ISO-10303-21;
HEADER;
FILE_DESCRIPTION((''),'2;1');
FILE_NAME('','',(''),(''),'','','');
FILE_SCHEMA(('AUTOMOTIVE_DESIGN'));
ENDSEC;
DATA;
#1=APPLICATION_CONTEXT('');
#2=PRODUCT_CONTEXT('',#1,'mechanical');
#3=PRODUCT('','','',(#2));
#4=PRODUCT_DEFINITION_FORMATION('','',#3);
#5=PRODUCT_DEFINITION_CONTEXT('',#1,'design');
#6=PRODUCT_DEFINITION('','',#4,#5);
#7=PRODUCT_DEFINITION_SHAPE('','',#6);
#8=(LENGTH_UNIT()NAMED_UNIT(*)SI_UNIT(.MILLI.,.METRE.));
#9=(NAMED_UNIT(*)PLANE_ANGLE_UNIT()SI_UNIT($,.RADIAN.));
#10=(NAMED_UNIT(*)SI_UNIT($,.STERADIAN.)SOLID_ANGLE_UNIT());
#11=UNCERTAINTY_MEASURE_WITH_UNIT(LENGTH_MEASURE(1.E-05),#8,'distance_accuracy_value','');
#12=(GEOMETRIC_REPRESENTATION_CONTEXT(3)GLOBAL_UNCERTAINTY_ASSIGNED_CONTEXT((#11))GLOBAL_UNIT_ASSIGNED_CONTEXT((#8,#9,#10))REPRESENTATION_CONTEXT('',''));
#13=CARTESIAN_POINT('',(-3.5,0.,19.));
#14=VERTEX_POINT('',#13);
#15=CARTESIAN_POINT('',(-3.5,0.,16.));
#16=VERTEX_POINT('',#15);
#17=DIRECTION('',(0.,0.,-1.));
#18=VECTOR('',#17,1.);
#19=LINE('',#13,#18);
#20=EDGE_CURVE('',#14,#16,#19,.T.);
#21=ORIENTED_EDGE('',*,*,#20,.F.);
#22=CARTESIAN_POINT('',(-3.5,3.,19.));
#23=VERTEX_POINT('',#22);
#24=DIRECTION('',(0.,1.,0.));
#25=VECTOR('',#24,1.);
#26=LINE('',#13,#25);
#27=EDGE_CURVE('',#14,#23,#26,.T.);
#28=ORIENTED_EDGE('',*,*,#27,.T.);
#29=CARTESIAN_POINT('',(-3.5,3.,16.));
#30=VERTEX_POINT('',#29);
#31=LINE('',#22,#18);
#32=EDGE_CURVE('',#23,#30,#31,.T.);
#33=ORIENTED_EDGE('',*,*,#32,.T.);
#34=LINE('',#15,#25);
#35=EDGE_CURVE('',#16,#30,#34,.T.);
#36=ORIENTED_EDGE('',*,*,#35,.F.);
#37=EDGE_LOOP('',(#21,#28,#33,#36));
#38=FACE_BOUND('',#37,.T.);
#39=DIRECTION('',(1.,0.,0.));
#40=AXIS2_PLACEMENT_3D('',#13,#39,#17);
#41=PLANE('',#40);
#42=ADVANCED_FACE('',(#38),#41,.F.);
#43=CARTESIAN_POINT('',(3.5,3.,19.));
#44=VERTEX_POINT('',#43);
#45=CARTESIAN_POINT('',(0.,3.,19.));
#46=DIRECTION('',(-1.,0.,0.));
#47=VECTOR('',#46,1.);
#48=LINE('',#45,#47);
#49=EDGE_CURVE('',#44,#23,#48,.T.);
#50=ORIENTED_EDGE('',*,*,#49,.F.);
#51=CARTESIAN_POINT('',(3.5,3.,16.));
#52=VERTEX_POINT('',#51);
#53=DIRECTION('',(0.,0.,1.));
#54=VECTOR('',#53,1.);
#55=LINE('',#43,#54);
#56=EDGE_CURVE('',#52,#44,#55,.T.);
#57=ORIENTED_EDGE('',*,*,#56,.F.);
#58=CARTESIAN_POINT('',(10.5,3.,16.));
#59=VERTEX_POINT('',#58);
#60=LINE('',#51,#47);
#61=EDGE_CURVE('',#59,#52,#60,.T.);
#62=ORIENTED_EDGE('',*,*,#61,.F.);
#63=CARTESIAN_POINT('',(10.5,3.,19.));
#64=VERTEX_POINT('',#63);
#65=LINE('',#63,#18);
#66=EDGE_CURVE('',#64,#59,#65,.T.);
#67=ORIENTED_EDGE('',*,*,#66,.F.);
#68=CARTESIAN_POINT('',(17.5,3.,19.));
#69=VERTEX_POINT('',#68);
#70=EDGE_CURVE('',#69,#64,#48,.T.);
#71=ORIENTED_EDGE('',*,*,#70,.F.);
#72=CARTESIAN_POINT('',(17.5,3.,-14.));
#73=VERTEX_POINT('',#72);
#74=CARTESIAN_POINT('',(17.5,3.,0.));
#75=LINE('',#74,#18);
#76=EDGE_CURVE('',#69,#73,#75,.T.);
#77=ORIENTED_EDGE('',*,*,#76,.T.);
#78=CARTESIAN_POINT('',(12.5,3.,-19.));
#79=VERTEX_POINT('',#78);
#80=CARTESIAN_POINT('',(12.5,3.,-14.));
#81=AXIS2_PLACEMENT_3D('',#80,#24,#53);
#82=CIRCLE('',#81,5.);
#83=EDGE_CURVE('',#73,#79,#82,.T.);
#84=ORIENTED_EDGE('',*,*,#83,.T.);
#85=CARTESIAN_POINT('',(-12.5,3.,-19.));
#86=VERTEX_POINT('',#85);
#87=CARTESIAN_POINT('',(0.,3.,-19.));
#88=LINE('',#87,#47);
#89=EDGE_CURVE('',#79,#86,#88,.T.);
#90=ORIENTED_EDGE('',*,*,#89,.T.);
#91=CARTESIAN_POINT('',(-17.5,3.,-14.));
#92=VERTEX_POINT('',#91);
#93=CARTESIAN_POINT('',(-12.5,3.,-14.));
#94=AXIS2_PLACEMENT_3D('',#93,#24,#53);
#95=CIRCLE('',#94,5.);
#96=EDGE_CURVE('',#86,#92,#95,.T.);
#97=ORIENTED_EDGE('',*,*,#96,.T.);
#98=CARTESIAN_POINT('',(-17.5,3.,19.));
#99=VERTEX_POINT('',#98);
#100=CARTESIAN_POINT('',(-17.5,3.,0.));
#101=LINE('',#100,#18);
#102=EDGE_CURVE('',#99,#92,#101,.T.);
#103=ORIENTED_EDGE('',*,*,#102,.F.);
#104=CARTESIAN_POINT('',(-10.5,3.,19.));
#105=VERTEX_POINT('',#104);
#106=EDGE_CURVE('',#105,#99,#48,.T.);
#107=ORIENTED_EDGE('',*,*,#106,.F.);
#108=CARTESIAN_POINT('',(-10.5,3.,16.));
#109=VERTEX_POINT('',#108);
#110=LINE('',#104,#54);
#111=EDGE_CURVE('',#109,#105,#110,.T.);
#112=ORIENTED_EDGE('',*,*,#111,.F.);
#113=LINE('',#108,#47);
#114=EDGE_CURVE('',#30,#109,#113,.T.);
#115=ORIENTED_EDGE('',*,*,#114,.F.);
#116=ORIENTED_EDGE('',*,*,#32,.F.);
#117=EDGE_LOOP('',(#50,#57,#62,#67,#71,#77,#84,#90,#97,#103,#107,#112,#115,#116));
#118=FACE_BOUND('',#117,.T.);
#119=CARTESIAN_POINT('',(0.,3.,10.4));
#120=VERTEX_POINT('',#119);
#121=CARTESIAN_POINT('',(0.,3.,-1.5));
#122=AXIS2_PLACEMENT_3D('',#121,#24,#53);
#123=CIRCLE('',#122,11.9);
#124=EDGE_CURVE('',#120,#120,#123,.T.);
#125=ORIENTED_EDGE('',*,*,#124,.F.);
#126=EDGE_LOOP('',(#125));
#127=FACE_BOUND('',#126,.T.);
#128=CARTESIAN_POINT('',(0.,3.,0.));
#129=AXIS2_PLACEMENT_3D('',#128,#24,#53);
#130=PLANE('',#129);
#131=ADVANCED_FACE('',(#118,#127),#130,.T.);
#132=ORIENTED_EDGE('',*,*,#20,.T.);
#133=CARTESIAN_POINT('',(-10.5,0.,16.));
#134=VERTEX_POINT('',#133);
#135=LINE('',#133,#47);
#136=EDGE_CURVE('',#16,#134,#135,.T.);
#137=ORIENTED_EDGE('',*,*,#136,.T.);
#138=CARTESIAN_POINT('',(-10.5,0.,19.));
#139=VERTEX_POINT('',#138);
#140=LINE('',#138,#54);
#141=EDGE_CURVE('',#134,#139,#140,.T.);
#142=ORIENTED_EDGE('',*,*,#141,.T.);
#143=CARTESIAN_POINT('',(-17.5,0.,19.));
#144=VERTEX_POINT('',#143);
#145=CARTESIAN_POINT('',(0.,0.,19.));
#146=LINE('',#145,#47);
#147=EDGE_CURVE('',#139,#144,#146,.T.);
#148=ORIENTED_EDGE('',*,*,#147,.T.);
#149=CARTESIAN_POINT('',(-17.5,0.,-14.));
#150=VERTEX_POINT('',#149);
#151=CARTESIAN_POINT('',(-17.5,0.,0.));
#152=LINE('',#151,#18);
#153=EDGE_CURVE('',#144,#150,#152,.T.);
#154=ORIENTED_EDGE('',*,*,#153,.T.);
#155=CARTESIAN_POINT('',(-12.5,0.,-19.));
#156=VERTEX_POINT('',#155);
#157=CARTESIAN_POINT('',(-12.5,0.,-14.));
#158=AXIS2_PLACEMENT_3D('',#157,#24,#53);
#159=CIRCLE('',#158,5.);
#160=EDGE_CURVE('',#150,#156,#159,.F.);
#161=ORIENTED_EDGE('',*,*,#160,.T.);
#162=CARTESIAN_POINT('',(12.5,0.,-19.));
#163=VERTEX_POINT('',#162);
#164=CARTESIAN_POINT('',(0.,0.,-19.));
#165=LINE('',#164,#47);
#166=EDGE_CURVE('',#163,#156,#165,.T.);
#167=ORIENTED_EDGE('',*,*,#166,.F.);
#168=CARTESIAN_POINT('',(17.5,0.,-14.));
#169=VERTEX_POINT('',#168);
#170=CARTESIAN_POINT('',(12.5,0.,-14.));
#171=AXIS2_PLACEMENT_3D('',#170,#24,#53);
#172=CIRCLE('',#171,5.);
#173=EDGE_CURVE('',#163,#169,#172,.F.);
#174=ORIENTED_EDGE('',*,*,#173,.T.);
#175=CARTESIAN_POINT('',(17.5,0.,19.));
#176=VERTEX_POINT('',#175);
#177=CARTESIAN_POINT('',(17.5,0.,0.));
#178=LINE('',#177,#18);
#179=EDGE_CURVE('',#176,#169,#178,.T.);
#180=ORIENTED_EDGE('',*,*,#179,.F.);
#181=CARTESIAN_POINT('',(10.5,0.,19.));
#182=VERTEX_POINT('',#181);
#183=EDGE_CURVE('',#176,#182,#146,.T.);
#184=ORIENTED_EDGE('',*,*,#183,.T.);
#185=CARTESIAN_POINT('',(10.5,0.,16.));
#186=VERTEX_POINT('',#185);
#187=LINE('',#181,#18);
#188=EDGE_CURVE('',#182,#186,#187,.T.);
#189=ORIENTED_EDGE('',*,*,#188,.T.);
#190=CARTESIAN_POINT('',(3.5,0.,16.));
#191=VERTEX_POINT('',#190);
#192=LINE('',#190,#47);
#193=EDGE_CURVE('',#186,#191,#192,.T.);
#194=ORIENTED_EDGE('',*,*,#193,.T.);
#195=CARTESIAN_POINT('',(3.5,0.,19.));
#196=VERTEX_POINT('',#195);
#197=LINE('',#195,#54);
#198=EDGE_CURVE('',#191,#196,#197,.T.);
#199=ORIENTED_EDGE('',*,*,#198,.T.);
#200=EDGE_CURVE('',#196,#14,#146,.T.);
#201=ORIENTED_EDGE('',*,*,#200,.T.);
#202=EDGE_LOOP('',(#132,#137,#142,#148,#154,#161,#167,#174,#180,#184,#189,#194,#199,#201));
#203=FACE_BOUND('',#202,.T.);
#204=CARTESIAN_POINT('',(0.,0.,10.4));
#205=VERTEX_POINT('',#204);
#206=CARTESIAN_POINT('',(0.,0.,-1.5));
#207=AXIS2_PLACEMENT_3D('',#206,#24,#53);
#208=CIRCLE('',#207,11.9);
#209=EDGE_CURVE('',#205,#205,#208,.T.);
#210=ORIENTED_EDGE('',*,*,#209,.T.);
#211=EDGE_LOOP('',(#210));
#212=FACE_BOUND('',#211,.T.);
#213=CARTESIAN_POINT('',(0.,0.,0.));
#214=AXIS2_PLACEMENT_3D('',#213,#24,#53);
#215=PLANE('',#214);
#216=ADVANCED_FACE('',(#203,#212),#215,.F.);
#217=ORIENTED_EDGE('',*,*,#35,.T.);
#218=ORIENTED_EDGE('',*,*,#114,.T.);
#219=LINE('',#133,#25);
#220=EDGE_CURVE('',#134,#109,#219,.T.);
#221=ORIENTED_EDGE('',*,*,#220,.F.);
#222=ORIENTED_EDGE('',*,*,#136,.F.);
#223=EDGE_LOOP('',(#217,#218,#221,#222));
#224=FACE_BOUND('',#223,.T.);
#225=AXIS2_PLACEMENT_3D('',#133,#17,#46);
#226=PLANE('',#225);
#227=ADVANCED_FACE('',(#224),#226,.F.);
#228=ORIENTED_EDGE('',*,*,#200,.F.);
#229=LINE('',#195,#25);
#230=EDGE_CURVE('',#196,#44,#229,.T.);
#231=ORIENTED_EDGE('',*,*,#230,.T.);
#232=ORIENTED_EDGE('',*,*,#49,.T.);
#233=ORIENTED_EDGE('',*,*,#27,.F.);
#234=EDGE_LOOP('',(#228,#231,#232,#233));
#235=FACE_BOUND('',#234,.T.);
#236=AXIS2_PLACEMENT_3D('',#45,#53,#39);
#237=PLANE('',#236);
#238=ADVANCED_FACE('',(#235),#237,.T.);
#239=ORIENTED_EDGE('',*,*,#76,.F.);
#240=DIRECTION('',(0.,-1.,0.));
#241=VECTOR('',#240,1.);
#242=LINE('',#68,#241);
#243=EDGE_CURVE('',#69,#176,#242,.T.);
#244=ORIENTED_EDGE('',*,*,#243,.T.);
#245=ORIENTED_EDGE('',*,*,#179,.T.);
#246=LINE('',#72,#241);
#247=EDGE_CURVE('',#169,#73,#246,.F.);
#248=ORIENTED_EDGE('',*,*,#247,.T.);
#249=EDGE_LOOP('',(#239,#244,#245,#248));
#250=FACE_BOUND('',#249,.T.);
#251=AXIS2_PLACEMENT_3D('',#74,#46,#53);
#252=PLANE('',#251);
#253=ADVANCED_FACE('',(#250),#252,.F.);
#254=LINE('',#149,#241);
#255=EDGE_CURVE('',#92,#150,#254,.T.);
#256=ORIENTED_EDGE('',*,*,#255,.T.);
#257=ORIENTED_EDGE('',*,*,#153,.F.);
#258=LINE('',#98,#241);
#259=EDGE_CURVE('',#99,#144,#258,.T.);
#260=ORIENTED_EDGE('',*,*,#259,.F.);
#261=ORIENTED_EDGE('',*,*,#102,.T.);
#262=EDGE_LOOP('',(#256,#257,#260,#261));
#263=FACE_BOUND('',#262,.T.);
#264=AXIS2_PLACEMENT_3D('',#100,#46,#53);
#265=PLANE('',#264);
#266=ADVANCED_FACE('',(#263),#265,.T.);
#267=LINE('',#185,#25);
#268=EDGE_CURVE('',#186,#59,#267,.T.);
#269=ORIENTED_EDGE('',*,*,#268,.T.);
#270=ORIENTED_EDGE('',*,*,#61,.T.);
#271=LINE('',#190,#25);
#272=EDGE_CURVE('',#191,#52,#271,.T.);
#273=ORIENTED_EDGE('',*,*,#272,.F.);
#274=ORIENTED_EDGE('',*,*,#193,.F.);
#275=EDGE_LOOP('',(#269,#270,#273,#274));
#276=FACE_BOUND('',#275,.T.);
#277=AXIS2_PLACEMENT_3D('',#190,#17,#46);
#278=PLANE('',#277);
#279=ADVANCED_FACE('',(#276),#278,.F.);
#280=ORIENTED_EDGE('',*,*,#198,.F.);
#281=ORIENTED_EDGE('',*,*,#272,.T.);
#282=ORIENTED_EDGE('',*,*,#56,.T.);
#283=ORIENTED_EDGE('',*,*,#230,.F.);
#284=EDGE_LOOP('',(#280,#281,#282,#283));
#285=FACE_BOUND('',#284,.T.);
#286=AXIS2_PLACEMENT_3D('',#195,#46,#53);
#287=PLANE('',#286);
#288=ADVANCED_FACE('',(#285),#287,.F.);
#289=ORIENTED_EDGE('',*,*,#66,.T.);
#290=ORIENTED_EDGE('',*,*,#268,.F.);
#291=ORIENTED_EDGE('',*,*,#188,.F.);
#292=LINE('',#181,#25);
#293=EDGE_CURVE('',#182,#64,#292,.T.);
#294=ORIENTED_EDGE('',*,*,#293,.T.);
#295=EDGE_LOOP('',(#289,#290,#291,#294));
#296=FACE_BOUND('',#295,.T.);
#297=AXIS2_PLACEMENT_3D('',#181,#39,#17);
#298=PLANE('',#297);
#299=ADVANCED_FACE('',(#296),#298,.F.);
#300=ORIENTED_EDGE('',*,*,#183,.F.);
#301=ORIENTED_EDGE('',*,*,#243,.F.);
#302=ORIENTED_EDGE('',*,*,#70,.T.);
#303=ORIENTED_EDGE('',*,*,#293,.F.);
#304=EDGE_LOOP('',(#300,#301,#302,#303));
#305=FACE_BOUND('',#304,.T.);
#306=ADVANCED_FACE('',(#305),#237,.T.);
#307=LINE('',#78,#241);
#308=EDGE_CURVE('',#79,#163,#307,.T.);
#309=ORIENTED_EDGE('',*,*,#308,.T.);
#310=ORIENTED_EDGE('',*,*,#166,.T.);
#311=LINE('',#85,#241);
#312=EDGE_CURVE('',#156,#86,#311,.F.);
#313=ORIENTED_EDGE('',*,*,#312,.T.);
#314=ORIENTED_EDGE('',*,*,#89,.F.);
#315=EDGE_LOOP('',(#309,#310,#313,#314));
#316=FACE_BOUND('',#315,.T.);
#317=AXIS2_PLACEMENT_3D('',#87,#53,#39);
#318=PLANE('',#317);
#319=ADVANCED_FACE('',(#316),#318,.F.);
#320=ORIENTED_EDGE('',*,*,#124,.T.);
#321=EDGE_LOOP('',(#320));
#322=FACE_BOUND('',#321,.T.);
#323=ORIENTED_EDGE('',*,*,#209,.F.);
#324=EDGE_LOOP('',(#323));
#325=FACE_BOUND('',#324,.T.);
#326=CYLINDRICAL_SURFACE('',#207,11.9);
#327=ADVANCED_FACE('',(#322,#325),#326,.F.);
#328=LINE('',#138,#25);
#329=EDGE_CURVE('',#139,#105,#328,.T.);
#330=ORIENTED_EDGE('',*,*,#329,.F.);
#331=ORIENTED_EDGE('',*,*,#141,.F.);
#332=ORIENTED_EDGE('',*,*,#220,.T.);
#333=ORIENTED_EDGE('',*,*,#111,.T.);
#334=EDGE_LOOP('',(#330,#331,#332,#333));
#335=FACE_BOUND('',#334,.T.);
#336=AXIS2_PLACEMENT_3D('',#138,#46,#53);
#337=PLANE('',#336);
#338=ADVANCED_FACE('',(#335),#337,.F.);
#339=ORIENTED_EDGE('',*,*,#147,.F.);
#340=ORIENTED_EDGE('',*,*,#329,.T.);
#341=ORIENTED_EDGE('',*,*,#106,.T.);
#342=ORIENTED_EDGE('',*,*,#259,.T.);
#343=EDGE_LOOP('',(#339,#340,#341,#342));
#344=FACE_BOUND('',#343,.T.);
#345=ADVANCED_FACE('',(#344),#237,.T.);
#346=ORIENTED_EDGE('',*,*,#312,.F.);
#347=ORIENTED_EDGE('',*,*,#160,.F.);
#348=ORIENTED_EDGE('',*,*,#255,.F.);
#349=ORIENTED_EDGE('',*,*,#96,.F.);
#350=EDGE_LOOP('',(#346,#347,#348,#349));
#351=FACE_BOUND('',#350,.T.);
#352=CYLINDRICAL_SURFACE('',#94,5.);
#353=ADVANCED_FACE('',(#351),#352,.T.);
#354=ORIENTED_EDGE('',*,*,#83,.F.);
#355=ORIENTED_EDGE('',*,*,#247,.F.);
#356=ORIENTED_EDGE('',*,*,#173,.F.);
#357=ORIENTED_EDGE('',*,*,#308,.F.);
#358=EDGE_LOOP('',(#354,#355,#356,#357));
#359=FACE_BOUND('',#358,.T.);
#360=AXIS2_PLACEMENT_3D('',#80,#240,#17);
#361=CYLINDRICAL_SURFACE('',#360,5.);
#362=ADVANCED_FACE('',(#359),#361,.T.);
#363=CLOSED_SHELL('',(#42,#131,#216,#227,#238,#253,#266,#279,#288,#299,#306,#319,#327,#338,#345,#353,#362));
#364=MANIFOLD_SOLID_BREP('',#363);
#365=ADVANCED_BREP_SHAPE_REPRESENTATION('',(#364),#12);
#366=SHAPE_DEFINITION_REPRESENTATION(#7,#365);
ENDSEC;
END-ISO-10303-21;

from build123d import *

# Parameters (mm, degrees)
SKETCH2_W           = 35
SKETCH2_H           = 38
BOSS_EXTRUDE1_DEPTH = 3
SKETCH3_R           = 11.9
CUT_EXTRUDE1_DEPTH  = 3
FILLET1_R           = 5
FILLET2_R           = 5
SKETCH4_W           = 7
SKETCH4_H           = 3
CUT_EXTRUDE2_DEPTH  = 3
LPATTERN1_COUNT     = 2
LPATTERN1_PITCH     = 14


with BuildPart() as part:
    # Sketch2 → Boss-Extrude1 (new body)
    with BuildSketch(Plane(origin=(0, 0, 0), x_dir=(1, 0, 0), z_dir=(0, 1, 0))):
        Rectangle(SKETCH2_W, SKETCH2_H)
    extrude(amount=BOSS_EXTRUDE1_DEPTH)

    # Sketch3 → Cut-Extrude1 (cut)
    with BuildSketch(Plane(origin=(0, 3, 0), x_dir=(1, 0, 0), z_dir=(0, 1, 0))):
        with Locations(Location((0, 1.5, 0), (0, 0, 270))):
            Circle(SKETCH3_R)
    extrude(amount=-CUT_EXTRUDE1_DEPTH, mode=Mode.SUBTRACT)

    # Fillet1
    fillet1_edges = [part.edges().sort_by_distance(p)[0] for p in [
        (17.5, 1.5, -19),
    ]]
    fillet(fillet1_edges, radius=FILLET1_R)

    # Fillet2
    fillet2_edges = [part.edges().sort_by_distance(p)[0] for p in [
        (-17.5, 1.5, -19),
    ]]
    fillet(fillet2_edges, radius=FILLET2_R)

    # Sketch4 → Cut-Extrude2 (cut)
    with BuildSketch(Plane(origin=(0, 3, 0), x_dir=(1, 0, 0), z_dir=(0, 1, 0))):
        with Locations((-7, -17.5)):
            Rectangle(SKETCH4_W, SKETCH4_H)
    cut_extrude2 = extrude(amount=-CUT_EXTRUDE2_DEPTH, mode=Mode.SUBTRACT)

    # LPattern1: Cut-Extrude2 ×2
    with Locations(*[(i * LPATTERN1_PITCH, 0, 0) for i in range(1, LPATTERN1_COUNT)]):
        add(cut_extrude2, mode=Mode.SUBTRACT)


solid = part.part
